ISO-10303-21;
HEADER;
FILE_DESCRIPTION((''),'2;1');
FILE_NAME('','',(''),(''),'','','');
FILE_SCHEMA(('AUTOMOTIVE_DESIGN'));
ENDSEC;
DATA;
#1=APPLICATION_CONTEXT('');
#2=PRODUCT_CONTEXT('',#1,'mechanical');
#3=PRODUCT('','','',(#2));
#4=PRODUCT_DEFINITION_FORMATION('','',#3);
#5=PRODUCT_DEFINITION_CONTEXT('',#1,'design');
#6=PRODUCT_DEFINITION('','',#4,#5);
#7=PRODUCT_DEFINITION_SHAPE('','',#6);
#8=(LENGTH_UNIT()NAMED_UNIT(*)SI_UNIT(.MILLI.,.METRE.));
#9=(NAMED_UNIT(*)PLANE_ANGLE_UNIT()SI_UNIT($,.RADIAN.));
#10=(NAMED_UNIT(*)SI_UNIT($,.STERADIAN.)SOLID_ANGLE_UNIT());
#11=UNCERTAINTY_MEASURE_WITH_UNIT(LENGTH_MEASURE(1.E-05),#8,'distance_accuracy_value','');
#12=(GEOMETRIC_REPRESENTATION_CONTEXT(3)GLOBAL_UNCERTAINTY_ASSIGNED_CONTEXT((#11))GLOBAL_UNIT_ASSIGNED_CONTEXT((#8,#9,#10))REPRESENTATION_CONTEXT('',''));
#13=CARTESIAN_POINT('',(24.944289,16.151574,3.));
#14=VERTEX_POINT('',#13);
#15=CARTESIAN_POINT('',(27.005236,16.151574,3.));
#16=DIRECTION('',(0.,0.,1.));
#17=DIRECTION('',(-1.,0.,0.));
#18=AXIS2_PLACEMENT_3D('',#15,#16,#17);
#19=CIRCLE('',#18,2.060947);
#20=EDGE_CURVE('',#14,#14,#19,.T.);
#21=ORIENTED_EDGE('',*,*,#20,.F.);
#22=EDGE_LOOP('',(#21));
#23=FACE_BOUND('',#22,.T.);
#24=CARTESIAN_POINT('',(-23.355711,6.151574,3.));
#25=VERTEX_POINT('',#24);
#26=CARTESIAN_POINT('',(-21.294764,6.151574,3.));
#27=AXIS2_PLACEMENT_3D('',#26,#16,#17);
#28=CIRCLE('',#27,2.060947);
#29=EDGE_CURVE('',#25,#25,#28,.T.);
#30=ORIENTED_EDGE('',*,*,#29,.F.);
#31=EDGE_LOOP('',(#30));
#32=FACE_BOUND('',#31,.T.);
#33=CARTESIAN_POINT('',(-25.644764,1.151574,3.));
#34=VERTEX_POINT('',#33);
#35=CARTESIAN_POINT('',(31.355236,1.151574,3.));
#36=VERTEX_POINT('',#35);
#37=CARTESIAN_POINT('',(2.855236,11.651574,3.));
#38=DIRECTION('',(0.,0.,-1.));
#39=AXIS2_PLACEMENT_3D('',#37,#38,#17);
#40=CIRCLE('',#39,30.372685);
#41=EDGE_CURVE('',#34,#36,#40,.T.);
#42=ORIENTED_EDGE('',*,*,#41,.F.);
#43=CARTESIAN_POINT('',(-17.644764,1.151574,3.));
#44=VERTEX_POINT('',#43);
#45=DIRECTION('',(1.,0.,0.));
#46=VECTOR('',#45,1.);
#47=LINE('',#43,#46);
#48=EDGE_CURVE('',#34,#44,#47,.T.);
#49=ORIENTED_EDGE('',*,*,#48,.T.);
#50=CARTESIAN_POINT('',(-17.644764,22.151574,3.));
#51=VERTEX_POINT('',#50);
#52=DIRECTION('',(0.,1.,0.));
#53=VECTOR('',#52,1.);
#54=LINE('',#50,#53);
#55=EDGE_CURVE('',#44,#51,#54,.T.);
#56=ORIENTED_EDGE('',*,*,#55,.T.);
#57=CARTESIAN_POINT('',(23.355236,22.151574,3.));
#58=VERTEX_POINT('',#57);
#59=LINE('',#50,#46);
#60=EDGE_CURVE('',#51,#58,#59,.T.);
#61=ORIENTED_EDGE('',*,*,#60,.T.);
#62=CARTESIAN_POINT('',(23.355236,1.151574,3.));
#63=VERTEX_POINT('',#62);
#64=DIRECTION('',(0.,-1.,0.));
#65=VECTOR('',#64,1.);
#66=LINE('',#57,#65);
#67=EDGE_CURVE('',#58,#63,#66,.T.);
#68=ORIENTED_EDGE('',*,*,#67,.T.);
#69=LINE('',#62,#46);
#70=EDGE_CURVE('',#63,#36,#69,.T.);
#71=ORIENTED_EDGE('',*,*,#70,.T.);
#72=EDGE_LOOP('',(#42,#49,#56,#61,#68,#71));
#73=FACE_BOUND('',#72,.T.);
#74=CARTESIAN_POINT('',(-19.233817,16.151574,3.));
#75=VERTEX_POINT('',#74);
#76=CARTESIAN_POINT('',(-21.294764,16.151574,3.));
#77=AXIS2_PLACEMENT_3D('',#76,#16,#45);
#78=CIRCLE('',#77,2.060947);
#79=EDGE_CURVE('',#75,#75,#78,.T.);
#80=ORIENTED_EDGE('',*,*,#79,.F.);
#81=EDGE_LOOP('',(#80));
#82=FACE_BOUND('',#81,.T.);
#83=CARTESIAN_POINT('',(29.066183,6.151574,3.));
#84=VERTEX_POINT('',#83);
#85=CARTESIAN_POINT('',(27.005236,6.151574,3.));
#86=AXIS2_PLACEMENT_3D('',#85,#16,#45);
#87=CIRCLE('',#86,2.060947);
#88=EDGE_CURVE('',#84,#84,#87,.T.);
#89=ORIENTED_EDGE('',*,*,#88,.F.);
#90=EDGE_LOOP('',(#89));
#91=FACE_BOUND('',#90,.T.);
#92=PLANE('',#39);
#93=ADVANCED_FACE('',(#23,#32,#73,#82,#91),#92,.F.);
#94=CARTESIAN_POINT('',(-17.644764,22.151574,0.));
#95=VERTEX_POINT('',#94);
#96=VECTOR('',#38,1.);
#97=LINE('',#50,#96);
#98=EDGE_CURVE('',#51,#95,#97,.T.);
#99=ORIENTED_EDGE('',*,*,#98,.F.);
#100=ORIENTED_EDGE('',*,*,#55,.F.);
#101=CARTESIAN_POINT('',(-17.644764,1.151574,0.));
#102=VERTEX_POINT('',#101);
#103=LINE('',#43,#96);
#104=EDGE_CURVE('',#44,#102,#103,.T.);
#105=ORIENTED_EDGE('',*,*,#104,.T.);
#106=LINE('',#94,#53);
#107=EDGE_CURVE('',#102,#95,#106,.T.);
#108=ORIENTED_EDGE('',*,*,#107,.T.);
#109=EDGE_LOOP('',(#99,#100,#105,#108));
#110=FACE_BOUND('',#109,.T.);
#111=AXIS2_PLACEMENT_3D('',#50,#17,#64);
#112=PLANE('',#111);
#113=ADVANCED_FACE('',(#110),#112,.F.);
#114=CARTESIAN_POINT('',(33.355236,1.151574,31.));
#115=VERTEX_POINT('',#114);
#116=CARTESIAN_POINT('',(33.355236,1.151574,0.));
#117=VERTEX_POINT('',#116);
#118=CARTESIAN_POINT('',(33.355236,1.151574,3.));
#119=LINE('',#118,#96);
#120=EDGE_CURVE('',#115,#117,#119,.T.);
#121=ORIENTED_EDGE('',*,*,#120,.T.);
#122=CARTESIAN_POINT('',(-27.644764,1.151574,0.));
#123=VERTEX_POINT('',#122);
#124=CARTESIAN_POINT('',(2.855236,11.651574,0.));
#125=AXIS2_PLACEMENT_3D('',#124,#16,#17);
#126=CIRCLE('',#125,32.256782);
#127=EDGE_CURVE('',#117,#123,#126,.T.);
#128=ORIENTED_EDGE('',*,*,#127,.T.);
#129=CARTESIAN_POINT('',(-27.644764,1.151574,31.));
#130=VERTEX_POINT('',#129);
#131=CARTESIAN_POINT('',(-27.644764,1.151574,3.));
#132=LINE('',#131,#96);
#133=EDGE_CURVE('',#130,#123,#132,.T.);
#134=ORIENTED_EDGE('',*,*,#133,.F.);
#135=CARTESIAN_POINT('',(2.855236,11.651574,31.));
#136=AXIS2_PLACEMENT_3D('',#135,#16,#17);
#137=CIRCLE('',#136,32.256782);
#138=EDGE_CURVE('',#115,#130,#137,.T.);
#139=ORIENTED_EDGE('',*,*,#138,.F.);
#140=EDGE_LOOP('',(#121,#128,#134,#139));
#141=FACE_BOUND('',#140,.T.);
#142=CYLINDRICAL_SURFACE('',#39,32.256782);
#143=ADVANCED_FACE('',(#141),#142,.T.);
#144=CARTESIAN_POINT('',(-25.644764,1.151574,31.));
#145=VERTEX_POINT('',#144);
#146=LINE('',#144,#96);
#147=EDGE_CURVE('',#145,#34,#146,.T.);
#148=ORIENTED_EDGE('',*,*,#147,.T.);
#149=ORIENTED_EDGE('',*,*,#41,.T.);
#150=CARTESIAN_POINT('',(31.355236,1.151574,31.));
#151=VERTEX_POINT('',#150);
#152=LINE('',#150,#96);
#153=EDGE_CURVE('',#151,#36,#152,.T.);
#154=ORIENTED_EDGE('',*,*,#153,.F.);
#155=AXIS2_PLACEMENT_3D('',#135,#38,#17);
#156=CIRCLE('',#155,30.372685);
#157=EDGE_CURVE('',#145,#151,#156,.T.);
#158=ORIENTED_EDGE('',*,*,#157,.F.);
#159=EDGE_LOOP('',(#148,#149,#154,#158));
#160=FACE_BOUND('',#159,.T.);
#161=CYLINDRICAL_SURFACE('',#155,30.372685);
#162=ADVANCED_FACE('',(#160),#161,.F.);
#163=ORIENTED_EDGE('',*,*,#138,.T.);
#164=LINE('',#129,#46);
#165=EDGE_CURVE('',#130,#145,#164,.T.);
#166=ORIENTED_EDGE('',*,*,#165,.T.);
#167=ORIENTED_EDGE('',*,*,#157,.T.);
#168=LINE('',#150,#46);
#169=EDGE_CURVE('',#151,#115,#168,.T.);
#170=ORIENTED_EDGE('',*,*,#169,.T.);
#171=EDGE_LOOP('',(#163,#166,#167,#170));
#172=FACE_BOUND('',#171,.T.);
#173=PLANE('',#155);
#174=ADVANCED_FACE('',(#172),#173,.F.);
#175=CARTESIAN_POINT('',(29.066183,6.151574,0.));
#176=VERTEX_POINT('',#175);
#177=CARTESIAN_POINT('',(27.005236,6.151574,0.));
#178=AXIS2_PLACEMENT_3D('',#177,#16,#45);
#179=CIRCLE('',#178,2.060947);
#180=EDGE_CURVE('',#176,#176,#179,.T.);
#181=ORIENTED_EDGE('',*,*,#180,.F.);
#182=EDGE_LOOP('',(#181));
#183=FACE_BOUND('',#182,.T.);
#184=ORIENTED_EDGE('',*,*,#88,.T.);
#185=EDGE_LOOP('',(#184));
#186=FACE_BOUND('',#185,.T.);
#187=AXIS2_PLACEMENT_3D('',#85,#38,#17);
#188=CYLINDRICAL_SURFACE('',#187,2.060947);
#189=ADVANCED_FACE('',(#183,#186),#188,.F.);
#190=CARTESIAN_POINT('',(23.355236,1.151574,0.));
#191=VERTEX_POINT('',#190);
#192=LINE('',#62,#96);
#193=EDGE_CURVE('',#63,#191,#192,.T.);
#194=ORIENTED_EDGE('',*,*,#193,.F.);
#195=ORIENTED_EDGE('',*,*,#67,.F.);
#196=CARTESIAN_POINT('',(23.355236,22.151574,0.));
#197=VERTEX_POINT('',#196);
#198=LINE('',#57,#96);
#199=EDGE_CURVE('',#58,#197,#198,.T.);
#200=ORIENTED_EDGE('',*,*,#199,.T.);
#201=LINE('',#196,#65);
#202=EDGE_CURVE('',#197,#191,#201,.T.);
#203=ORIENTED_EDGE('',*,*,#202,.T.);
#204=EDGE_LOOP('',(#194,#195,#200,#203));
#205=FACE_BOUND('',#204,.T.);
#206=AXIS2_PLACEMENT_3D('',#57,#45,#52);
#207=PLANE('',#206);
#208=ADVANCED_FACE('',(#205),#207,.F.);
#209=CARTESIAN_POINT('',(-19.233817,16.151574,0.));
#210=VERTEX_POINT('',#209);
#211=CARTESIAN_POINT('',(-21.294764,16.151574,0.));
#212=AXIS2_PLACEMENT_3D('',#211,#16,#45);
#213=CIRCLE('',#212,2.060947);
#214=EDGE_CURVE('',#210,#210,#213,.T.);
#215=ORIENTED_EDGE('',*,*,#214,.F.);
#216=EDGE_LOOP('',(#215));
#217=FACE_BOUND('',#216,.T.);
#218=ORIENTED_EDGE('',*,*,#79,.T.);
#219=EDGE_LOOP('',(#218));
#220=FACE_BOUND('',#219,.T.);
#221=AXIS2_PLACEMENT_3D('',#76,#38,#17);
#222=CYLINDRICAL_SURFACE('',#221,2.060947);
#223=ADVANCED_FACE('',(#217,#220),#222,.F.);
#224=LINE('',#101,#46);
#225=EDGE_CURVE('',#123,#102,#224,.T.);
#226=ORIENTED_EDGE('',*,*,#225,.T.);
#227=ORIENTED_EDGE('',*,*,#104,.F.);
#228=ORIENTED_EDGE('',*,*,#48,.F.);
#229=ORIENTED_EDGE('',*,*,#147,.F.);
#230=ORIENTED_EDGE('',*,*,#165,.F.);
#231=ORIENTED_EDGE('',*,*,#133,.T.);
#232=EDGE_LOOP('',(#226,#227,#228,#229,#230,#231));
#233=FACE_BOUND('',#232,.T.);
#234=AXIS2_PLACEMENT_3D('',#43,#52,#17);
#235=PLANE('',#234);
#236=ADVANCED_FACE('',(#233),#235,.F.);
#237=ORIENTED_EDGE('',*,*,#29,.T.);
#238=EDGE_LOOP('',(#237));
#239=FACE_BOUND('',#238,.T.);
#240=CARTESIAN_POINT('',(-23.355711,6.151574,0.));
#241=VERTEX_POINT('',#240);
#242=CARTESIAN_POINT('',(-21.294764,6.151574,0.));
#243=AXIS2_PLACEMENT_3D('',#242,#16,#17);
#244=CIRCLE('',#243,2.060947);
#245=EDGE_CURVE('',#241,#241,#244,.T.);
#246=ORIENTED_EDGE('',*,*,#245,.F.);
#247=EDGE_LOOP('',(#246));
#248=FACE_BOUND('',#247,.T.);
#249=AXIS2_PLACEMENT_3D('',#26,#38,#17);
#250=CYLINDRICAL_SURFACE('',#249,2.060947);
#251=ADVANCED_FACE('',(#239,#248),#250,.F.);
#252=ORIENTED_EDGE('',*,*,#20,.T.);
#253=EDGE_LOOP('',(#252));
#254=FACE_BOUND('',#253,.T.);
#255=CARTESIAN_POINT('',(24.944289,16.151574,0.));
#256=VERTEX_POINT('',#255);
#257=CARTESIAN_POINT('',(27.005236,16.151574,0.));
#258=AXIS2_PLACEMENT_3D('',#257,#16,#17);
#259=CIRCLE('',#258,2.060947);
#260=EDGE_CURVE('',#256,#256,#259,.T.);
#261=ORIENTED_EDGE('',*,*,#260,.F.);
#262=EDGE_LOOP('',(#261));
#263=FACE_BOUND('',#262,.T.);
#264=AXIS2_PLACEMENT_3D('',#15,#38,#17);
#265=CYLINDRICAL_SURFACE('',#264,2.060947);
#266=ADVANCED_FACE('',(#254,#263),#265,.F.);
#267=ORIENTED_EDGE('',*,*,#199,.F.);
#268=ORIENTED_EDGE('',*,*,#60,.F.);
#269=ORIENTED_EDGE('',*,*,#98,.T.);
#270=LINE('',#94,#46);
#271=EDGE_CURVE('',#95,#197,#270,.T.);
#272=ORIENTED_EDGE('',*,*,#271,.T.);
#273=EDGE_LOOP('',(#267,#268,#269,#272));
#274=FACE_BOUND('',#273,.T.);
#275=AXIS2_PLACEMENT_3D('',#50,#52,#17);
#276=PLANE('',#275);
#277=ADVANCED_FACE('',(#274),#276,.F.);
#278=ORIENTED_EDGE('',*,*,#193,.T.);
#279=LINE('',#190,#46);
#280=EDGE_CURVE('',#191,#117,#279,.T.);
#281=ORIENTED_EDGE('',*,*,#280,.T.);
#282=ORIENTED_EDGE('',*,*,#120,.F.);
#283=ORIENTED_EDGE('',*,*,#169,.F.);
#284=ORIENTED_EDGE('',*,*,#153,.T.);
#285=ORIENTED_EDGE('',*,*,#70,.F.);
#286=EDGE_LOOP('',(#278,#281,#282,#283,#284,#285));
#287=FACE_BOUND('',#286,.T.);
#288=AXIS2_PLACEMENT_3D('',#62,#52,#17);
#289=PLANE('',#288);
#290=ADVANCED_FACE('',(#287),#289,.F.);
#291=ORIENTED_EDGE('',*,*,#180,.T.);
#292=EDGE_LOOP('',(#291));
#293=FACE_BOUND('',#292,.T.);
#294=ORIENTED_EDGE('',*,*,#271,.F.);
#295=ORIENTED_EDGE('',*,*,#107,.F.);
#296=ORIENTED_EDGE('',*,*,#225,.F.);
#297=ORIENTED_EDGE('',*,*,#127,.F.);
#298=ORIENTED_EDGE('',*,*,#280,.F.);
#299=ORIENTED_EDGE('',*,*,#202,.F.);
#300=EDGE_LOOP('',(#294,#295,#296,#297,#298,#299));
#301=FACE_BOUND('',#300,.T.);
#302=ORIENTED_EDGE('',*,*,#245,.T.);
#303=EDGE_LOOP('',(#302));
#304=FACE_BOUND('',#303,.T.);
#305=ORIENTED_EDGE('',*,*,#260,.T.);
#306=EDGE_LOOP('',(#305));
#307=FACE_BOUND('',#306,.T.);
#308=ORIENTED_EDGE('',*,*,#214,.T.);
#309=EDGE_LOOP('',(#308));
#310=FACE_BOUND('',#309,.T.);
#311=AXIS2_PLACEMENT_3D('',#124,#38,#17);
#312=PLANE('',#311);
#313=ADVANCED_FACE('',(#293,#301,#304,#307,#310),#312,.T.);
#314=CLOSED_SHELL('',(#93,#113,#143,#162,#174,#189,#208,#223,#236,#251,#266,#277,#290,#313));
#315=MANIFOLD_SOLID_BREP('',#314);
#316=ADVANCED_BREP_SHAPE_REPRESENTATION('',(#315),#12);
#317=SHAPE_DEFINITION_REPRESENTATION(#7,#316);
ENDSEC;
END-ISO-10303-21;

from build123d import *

# Parameters (mm, degrees)
CROQUIS1_R              = 2.060946668
SALIENTE_EXTRUIR1_DEPTH = 3
SALIENTE_EXTRUIR2_DEPTH = 28


with BuildPart() as part:
    # Croquis1 → Saliente-Extruir1 (new body)
    with BuildSketch(Plane.XY):
        with BuildLine():
            Line((-17.644764035, 22.151573595), (23.355235965, 22.151573595))
            Line((23.355235965, 22.151573595), (23.355235965, 1.151573595))
            Line((23.355235965, 1.151573595), (33.355235965, 1.151573595))
            ThreePointArc((33.355235965, 1.151573595), (2.855235965, 43.908355827), (-27.644764035, 1.151573595))
            Line((-27.644764035, 1.151573595), (-17.644764035, 1.151573595))
            Line((-17.644764035, 1.151573595), (-17.644764035, 22.151573595))
        make_face()
        with Locations((27.005235965, 6.151573595)):
            Circle(CROQUIS1_R, mode=Mode.SUBTRACT)
        with Locations((-21.294764035, 6.151573595)):
            Circle(CROQUIS1_R, mode=Mode.SUBTRACT)
        with Locations((-21.294764035, 16.151573595)):
            Circle(CROQUIS1_R, mode=Mode.SUBTRACT)
        with Locations((27.005235965, 16.151573595)):
            Circle(CROQUIS1_R, mode=Mode.SUBTRACT)
    extrude(amount=SALIENTE_EXTRUIR1_DEPTH)

    # Croquis2 → Saliente-Extruir2 (add)
    with BuildSketch(Plane.XY.offset(3)):
        with BuildLine():
            Line((-27.644764035, 1.151573595), (-25.644764035, 1.151573595))
            ThreePointArc((-25.644764035, 1.151573595), (2.855235965, 42.024258692), (31.355235965, 1.151573595))
            Line((31.355235965, 1.151573595), (33.355235965, 1.151573595))
            ThreePointArc((33.355235965, 1.151573595), (2.855235965, 43.908355827), (-27.644764035, 1.151573595))
        make_face()
    extrude(amount=SALIENTE_EXTRUIR2_DEPTH)


solid = part.part
